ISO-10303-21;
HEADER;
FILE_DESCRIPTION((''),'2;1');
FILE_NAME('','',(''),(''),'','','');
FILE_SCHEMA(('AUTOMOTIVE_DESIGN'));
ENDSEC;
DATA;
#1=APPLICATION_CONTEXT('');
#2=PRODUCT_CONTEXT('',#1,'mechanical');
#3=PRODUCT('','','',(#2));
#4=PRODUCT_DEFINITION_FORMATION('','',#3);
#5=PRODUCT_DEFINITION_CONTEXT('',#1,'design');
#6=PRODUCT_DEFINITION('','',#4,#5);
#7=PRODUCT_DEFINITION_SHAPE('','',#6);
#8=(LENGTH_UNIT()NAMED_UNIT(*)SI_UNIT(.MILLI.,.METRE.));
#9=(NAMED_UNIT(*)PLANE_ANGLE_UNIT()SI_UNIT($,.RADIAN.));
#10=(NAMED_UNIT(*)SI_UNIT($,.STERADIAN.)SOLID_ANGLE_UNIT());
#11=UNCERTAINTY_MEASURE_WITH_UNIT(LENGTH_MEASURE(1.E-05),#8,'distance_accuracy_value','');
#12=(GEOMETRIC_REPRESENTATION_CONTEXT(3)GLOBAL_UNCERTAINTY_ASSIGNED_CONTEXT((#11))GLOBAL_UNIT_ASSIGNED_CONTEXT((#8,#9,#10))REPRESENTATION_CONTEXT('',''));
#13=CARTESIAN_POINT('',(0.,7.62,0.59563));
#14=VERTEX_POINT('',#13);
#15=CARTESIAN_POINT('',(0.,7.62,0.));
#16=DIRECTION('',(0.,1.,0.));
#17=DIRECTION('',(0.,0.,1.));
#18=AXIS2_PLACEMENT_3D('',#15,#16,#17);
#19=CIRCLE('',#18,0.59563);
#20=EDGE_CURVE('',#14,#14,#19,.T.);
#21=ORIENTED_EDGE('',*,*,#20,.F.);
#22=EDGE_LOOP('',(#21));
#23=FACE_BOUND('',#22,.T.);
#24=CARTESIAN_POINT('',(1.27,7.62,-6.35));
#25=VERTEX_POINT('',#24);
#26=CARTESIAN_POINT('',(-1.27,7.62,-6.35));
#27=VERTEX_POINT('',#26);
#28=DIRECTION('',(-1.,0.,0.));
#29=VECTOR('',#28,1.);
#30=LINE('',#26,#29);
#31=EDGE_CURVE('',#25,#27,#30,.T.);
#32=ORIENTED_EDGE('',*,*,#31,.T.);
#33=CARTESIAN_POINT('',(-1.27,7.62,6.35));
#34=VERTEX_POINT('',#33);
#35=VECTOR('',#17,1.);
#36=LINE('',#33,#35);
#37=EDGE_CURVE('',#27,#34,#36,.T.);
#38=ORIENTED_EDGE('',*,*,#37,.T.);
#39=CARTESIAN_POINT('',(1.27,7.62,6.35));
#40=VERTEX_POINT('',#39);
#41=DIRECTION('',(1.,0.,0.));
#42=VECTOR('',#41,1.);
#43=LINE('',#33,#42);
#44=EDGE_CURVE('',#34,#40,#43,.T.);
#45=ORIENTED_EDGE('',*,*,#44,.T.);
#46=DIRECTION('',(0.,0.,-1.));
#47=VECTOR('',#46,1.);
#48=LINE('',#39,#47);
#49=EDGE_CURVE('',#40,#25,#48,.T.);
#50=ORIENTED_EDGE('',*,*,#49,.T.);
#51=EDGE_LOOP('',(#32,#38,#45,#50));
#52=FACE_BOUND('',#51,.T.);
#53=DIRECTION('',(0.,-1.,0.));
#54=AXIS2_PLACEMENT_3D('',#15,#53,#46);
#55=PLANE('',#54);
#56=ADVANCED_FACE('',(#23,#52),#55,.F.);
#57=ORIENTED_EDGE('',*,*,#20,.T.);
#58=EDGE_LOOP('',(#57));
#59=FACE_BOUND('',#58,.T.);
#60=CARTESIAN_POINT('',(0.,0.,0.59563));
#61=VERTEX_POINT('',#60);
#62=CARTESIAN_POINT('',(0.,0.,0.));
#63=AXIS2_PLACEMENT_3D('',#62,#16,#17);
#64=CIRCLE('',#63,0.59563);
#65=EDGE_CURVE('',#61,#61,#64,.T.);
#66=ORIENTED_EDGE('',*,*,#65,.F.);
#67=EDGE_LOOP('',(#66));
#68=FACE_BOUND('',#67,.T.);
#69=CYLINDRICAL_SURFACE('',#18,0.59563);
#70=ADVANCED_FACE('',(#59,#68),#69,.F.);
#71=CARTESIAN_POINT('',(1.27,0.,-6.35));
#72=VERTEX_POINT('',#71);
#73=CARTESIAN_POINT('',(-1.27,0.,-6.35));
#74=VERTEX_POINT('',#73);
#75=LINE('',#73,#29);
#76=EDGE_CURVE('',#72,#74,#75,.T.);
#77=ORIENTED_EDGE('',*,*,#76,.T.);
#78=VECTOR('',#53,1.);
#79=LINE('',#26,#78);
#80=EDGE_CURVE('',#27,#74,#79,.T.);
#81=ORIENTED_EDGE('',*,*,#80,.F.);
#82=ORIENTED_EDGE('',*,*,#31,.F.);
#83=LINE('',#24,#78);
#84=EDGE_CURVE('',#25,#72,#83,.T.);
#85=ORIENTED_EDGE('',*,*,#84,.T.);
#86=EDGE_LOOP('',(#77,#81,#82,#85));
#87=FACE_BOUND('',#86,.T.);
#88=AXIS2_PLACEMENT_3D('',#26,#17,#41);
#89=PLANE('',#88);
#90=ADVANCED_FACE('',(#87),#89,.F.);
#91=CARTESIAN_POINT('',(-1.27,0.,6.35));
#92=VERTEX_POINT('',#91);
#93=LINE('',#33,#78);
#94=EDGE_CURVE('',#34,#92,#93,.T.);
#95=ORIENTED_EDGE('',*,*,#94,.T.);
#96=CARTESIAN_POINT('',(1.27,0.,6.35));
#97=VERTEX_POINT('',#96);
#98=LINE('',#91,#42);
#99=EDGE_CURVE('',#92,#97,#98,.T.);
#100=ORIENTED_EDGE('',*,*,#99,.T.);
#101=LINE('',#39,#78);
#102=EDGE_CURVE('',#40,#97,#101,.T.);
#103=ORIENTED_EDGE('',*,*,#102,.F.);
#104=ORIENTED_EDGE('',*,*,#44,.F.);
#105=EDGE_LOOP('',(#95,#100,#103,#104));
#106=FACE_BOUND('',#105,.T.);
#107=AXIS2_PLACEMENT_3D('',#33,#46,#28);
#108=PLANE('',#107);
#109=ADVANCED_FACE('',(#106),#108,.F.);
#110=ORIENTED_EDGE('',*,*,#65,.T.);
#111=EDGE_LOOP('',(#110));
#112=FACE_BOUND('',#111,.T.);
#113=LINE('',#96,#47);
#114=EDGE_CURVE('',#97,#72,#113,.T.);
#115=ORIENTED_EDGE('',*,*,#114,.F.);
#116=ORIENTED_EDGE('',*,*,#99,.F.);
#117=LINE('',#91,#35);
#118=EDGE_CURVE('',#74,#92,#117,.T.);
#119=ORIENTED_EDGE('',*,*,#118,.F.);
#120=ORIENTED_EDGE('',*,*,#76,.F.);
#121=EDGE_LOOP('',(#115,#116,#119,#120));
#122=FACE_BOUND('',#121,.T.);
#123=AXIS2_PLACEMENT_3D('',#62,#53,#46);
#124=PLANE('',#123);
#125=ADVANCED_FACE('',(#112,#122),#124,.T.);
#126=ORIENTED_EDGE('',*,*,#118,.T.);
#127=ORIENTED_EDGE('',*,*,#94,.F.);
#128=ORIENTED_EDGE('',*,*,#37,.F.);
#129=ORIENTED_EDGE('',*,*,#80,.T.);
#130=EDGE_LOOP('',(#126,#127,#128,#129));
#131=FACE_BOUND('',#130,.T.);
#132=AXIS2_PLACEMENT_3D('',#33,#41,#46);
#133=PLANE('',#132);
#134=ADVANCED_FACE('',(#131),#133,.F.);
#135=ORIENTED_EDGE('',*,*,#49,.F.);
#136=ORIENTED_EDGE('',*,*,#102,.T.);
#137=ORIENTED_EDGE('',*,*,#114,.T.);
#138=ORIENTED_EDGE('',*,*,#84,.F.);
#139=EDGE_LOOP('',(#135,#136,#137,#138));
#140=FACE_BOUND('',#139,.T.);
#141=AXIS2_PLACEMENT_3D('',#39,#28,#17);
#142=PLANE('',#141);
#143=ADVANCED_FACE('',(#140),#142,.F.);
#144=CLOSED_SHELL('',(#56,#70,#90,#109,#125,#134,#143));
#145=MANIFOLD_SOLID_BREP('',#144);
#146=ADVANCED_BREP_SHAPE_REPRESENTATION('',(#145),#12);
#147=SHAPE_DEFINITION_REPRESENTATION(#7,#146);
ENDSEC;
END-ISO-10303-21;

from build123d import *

# Parameters (mm, degrees)
SKETCH1_W             = 2.54
SKETCH1_H             = 12.7
BOSS_EXTRUDE1_DEPTH   = 7.62
F_0_80_TAPPED_HOLE1_D = 1.19126


with BuildPart() as part:
    # Sketch1 → Boss-Extrude1 (new body)
    with BuildSketch(Plane(origin=(0, 0, 0), x_dir=(1, 0, 0), z_dir=(0, 1, 0))):
        Rectangle(SKETCH1_W, SKETCH1_H)
    extrude(amount=BOSS_EXTRUDE1_DEPTH)

    # #0-80 Tapped Hole1 (through all)
    with Locations(Plane(origin=(0, 7.62, 0), x_dir=(1, 0, 0), z_dir=(0, 1, 0))):
        with Locations((0, 0)):
            Hole(F_0_80_TAPPED_HOLE1_D / 2)


solid = part.part
